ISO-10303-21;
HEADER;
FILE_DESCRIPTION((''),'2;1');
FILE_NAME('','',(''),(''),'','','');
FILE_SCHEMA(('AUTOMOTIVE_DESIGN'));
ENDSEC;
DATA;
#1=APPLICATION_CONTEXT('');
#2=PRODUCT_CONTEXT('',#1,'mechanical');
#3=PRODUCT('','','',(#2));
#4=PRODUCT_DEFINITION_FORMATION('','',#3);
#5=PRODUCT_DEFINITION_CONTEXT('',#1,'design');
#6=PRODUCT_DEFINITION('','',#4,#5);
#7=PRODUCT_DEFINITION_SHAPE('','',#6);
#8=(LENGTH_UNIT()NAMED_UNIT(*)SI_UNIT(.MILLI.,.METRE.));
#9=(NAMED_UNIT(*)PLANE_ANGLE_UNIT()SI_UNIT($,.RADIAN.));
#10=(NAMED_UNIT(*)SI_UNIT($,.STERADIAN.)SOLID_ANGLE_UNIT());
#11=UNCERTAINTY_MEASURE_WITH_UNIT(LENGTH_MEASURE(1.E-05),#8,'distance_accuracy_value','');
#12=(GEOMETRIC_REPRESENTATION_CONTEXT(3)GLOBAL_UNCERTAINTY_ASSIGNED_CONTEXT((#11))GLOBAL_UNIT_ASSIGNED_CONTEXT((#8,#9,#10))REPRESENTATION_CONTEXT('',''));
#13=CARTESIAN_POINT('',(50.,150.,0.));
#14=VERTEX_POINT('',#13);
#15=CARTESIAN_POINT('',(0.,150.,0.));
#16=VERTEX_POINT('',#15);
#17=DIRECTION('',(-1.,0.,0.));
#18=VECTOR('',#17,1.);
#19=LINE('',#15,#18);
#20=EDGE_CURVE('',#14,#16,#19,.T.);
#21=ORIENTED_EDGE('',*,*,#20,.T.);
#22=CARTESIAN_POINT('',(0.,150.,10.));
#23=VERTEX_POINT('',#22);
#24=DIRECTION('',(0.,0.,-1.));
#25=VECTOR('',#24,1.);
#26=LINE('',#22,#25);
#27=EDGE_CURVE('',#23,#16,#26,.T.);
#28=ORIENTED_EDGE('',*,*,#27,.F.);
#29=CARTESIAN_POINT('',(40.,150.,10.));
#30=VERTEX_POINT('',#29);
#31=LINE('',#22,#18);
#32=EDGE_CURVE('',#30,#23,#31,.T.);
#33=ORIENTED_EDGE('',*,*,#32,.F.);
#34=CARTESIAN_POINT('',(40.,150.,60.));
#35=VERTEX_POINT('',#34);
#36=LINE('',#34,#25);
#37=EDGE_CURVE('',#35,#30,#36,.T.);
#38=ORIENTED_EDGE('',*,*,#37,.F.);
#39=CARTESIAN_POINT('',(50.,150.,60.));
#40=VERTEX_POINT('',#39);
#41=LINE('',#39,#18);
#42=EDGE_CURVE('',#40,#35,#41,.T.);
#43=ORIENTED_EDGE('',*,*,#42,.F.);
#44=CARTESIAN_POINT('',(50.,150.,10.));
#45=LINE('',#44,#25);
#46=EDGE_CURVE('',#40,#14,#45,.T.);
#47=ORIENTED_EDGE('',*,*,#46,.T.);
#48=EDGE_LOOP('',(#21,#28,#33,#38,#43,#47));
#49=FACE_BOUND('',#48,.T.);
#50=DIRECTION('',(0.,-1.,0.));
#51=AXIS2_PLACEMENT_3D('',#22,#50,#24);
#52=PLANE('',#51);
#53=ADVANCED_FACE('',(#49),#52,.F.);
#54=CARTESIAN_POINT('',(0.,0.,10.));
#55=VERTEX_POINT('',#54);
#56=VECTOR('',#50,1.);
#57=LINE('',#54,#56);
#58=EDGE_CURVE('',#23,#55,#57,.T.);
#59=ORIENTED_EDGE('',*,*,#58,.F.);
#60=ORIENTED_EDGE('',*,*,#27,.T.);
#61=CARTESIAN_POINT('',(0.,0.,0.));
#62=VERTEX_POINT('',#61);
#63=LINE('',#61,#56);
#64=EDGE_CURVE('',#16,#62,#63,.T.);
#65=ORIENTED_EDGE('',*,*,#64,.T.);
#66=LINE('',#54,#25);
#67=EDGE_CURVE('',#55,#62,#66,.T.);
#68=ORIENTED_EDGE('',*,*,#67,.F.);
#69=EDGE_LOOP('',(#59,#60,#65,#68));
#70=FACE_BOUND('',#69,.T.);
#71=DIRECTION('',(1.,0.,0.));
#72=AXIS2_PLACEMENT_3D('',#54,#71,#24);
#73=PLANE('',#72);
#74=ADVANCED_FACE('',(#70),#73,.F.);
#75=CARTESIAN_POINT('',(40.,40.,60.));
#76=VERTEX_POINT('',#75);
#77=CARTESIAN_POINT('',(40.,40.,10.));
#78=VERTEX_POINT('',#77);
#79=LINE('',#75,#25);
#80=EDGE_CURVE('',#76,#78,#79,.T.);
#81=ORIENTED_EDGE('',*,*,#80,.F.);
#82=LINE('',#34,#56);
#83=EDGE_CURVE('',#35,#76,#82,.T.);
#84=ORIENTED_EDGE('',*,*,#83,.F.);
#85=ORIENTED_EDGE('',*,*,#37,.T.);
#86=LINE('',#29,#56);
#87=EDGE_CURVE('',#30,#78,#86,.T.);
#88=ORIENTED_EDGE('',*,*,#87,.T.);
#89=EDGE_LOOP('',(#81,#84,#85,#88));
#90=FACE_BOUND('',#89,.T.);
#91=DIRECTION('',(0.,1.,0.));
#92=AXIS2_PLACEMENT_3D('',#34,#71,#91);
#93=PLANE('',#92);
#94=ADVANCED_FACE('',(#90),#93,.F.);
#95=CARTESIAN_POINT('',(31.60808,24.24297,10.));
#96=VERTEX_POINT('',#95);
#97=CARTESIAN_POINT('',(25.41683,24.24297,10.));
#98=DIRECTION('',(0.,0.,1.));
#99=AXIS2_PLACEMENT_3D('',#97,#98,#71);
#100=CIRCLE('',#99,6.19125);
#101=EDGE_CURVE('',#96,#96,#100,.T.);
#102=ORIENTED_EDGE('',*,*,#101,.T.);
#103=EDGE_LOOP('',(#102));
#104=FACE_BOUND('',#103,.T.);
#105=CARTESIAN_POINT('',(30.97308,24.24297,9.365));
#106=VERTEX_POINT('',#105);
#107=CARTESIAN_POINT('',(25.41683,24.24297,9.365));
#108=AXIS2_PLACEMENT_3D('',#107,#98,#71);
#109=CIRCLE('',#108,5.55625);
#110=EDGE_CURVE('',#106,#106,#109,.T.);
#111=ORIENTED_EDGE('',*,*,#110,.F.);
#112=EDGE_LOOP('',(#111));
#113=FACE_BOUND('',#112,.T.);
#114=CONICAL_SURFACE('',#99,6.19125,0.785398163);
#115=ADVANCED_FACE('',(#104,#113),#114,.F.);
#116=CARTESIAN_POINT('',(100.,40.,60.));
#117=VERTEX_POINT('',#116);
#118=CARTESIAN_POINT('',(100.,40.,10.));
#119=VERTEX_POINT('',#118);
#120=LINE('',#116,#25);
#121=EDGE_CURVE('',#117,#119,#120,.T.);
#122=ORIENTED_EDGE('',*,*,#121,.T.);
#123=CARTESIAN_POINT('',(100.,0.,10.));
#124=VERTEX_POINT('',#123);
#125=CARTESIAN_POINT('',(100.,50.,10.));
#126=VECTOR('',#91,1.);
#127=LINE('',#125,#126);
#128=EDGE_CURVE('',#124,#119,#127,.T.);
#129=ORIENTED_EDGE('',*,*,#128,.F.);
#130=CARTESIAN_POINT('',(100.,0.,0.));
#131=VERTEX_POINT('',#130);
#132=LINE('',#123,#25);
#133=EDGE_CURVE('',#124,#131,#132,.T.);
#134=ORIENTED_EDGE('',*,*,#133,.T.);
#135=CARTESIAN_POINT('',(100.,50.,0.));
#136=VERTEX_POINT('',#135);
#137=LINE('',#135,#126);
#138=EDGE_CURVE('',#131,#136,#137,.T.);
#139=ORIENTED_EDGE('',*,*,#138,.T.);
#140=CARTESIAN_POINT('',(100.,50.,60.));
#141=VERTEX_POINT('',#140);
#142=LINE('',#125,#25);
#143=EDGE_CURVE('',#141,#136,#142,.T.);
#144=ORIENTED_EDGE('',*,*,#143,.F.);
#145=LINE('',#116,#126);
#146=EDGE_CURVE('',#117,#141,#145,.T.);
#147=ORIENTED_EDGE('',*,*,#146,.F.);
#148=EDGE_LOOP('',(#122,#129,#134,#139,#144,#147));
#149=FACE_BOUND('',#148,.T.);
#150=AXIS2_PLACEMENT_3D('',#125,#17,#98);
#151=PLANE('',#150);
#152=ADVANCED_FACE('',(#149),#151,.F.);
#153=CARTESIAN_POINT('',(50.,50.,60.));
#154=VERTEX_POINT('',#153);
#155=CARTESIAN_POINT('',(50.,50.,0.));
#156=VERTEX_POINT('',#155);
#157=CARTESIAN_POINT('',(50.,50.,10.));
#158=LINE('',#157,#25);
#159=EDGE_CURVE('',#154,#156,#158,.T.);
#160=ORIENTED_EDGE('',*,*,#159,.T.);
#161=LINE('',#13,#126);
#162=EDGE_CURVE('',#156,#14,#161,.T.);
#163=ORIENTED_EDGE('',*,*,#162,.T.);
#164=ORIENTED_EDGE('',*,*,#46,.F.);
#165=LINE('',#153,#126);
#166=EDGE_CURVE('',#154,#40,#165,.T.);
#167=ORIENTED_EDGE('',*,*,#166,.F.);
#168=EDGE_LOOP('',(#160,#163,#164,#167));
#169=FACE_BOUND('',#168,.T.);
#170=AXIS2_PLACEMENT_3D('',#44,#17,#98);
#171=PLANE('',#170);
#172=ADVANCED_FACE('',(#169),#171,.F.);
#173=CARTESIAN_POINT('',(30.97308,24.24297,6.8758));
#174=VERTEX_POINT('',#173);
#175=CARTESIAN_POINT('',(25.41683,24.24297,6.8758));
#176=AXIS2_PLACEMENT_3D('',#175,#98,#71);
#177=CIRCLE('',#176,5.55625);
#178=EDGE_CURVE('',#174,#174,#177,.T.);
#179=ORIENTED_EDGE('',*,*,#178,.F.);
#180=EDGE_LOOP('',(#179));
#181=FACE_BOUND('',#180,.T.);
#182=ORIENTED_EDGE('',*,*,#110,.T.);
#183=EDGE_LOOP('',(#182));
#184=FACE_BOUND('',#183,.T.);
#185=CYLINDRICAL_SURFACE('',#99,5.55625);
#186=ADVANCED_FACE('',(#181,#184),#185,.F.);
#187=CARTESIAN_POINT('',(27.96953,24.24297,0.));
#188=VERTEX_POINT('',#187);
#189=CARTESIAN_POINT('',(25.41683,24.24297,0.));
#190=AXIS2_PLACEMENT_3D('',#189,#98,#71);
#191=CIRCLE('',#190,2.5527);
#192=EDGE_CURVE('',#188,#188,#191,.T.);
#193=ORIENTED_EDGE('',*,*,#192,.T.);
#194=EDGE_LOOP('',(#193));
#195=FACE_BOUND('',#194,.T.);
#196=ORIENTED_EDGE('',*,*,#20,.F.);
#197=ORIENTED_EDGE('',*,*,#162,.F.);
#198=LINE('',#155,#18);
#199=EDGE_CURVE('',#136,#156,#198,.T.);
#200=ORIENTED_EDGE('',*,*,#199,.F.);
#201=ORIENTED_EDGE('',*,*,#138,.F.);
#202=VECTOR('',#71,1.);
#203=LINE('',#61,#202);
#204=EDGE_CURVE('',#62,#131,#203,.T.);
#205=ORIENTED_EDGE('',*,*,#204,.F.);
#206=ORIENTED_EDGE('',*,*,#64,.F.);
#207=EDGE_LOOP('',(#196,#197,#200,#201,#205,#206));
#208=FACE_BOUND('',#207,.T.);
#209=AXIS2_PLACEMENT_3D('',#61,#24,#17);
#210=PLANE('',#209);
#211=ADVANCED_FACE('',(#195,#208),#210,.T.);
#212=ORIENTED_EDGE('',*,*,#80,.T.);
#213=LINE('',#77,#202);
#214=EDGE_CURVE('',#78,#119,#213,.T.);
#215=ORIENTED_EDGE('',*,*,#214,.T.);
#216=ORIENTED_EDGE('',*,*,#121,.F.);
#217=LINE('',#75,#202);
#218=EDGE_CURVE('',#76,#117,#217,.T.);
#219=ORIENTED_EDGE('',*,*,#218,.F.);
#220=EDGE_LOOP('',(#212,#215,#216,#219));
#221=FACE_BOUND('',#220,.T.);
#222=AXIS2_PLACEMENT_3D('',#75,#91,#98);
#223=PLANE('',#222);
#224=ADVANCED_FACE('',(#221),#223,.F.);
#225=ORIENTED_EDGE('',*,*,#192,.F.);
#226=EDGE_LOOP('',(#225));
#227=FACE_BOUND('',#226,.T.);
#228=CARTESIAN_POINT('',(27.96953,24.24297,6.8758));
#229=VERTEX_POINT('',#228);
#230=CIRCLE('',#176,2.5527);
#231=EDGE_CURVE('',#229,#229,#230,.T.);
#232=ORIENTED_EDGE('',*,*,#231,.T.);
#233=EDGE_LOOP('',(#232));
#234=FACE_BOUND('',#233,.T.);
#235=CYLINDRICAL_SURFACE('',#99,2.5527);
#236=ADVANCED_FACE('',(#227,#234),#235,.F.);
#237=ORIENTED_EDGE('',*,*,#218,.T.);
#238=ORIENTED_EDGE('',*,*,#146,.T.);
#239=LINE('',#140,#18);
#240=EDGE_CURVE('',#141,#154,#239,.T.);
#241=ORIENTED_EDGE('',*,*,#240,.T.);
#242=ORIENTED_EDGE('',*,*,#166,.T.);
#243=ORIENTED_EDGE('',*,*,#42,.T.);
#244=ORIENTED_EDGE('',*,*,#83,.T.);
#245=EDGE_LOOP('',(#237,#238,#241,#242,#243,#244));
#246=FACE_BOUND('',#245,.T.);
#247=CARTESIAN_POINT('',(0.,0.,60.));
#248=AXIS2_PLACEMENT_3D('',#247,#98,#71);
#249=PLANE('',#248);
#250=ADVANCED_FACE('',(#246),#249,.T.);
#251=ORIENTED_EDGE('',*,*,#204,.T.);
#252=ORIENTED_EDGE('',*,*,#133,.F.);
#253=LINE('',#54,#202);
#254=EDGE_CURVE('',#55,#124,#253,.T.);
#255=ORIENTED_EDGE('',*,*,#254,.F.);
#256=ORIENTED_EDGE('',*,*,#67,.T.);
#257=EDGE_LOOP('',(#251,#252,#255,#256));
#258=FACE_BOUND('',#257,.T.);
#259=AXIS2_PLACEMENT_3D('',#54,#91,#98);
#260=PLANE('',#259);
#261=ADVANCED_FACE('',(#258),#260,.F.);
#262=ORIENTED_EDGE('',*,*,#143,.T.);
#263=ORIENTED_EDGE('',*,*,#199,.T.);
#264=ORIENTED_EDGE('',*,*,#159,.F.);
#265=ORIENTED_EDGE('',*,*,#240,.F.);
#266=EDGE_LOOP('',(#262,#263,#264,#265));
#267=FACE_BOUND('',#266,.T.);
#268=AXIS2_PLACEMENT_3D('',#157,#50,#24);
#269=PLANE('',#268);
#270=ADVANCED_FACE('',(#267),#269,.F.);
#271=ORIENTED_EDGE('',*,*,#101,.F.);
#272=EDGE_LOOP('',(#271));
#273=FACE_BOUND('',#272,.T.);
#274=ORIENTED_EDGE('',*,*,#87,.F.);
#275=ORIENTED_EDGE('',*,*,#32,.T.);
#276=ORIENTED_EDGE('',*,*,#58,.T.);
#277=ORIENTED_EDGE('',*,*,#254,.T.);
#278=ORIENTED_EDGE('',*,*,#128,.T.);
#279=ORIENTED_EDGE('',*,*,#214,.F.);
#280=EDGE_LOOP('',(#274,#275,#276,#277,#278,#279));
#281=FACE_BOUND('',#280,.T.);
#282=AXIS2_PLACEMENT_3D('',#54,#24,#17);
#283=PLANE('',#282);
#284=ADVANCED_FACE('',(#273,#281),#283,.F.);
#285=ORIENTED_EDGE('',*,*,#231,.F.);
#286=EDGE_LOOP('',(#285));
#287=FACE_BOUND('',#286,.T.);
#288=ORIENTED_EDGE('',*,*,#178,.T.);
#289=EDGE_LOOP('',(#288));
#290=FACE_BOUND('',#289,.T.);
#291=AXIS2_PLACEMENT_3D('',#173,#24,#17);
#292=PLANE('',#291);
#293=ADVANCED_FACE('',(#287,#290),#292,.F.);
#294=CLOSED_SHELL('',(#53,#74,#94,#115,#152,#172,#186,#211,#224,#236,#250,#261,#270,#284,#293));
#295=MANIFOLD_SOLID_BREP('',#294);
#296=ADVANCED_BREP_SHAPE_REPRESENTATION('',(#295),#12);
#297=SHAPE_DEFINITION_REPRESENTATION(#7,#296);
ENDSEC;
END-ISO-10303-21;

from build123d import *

# Parameters (mm, degrees)
BOSS_EXTRUDE1_DEPTH = 10
BOSS_EXTRUDE2_DEPTH = 50


with BuildPart() as part:
    # Sketch1 → Boss-Extrude1 (new body)
    with BuildSketch(Plane.XY):
        Polygon((0, 150), (50, 150), (50, 50), (100, 50), (100, 0), (0, 0), align=None)
    extrude(amount=BOSS_EXTRUDE1_DEPTH)

    # Sketch2 → Boss-Extrude2 (add)
    with BuildSketch(Plane.XY.offset(10)):
        Polygon((40, 150), (40, 40), (100, 40), (100, 50), (50, 50), (50, 150), align=None)
    extrude(amount=BOSS_EXTRUDE2_DEPTH)

    # Sketch3 → CBORE for #10 Binding Head Machine Screw1 (revolve, cut)
    with BuildSketch(Plane(origin=(25.416829558, 24.242970072, 10), x_dir=(0, -1, 0), z_dir=(1, 0, 0))):
        Polygon((0, 0), (0, 10), (2.5527, 10), (2.5527, 3.1242), (5.55625, 3.1242), (5.55625, 0.635), (6.19125, 0), align=None)
    revolve(axis=Axis((25.416829558, 24.242970072, 16.35), (0, 0, -1)), mode=Mode.SUBTRACT)


solid = part.part
